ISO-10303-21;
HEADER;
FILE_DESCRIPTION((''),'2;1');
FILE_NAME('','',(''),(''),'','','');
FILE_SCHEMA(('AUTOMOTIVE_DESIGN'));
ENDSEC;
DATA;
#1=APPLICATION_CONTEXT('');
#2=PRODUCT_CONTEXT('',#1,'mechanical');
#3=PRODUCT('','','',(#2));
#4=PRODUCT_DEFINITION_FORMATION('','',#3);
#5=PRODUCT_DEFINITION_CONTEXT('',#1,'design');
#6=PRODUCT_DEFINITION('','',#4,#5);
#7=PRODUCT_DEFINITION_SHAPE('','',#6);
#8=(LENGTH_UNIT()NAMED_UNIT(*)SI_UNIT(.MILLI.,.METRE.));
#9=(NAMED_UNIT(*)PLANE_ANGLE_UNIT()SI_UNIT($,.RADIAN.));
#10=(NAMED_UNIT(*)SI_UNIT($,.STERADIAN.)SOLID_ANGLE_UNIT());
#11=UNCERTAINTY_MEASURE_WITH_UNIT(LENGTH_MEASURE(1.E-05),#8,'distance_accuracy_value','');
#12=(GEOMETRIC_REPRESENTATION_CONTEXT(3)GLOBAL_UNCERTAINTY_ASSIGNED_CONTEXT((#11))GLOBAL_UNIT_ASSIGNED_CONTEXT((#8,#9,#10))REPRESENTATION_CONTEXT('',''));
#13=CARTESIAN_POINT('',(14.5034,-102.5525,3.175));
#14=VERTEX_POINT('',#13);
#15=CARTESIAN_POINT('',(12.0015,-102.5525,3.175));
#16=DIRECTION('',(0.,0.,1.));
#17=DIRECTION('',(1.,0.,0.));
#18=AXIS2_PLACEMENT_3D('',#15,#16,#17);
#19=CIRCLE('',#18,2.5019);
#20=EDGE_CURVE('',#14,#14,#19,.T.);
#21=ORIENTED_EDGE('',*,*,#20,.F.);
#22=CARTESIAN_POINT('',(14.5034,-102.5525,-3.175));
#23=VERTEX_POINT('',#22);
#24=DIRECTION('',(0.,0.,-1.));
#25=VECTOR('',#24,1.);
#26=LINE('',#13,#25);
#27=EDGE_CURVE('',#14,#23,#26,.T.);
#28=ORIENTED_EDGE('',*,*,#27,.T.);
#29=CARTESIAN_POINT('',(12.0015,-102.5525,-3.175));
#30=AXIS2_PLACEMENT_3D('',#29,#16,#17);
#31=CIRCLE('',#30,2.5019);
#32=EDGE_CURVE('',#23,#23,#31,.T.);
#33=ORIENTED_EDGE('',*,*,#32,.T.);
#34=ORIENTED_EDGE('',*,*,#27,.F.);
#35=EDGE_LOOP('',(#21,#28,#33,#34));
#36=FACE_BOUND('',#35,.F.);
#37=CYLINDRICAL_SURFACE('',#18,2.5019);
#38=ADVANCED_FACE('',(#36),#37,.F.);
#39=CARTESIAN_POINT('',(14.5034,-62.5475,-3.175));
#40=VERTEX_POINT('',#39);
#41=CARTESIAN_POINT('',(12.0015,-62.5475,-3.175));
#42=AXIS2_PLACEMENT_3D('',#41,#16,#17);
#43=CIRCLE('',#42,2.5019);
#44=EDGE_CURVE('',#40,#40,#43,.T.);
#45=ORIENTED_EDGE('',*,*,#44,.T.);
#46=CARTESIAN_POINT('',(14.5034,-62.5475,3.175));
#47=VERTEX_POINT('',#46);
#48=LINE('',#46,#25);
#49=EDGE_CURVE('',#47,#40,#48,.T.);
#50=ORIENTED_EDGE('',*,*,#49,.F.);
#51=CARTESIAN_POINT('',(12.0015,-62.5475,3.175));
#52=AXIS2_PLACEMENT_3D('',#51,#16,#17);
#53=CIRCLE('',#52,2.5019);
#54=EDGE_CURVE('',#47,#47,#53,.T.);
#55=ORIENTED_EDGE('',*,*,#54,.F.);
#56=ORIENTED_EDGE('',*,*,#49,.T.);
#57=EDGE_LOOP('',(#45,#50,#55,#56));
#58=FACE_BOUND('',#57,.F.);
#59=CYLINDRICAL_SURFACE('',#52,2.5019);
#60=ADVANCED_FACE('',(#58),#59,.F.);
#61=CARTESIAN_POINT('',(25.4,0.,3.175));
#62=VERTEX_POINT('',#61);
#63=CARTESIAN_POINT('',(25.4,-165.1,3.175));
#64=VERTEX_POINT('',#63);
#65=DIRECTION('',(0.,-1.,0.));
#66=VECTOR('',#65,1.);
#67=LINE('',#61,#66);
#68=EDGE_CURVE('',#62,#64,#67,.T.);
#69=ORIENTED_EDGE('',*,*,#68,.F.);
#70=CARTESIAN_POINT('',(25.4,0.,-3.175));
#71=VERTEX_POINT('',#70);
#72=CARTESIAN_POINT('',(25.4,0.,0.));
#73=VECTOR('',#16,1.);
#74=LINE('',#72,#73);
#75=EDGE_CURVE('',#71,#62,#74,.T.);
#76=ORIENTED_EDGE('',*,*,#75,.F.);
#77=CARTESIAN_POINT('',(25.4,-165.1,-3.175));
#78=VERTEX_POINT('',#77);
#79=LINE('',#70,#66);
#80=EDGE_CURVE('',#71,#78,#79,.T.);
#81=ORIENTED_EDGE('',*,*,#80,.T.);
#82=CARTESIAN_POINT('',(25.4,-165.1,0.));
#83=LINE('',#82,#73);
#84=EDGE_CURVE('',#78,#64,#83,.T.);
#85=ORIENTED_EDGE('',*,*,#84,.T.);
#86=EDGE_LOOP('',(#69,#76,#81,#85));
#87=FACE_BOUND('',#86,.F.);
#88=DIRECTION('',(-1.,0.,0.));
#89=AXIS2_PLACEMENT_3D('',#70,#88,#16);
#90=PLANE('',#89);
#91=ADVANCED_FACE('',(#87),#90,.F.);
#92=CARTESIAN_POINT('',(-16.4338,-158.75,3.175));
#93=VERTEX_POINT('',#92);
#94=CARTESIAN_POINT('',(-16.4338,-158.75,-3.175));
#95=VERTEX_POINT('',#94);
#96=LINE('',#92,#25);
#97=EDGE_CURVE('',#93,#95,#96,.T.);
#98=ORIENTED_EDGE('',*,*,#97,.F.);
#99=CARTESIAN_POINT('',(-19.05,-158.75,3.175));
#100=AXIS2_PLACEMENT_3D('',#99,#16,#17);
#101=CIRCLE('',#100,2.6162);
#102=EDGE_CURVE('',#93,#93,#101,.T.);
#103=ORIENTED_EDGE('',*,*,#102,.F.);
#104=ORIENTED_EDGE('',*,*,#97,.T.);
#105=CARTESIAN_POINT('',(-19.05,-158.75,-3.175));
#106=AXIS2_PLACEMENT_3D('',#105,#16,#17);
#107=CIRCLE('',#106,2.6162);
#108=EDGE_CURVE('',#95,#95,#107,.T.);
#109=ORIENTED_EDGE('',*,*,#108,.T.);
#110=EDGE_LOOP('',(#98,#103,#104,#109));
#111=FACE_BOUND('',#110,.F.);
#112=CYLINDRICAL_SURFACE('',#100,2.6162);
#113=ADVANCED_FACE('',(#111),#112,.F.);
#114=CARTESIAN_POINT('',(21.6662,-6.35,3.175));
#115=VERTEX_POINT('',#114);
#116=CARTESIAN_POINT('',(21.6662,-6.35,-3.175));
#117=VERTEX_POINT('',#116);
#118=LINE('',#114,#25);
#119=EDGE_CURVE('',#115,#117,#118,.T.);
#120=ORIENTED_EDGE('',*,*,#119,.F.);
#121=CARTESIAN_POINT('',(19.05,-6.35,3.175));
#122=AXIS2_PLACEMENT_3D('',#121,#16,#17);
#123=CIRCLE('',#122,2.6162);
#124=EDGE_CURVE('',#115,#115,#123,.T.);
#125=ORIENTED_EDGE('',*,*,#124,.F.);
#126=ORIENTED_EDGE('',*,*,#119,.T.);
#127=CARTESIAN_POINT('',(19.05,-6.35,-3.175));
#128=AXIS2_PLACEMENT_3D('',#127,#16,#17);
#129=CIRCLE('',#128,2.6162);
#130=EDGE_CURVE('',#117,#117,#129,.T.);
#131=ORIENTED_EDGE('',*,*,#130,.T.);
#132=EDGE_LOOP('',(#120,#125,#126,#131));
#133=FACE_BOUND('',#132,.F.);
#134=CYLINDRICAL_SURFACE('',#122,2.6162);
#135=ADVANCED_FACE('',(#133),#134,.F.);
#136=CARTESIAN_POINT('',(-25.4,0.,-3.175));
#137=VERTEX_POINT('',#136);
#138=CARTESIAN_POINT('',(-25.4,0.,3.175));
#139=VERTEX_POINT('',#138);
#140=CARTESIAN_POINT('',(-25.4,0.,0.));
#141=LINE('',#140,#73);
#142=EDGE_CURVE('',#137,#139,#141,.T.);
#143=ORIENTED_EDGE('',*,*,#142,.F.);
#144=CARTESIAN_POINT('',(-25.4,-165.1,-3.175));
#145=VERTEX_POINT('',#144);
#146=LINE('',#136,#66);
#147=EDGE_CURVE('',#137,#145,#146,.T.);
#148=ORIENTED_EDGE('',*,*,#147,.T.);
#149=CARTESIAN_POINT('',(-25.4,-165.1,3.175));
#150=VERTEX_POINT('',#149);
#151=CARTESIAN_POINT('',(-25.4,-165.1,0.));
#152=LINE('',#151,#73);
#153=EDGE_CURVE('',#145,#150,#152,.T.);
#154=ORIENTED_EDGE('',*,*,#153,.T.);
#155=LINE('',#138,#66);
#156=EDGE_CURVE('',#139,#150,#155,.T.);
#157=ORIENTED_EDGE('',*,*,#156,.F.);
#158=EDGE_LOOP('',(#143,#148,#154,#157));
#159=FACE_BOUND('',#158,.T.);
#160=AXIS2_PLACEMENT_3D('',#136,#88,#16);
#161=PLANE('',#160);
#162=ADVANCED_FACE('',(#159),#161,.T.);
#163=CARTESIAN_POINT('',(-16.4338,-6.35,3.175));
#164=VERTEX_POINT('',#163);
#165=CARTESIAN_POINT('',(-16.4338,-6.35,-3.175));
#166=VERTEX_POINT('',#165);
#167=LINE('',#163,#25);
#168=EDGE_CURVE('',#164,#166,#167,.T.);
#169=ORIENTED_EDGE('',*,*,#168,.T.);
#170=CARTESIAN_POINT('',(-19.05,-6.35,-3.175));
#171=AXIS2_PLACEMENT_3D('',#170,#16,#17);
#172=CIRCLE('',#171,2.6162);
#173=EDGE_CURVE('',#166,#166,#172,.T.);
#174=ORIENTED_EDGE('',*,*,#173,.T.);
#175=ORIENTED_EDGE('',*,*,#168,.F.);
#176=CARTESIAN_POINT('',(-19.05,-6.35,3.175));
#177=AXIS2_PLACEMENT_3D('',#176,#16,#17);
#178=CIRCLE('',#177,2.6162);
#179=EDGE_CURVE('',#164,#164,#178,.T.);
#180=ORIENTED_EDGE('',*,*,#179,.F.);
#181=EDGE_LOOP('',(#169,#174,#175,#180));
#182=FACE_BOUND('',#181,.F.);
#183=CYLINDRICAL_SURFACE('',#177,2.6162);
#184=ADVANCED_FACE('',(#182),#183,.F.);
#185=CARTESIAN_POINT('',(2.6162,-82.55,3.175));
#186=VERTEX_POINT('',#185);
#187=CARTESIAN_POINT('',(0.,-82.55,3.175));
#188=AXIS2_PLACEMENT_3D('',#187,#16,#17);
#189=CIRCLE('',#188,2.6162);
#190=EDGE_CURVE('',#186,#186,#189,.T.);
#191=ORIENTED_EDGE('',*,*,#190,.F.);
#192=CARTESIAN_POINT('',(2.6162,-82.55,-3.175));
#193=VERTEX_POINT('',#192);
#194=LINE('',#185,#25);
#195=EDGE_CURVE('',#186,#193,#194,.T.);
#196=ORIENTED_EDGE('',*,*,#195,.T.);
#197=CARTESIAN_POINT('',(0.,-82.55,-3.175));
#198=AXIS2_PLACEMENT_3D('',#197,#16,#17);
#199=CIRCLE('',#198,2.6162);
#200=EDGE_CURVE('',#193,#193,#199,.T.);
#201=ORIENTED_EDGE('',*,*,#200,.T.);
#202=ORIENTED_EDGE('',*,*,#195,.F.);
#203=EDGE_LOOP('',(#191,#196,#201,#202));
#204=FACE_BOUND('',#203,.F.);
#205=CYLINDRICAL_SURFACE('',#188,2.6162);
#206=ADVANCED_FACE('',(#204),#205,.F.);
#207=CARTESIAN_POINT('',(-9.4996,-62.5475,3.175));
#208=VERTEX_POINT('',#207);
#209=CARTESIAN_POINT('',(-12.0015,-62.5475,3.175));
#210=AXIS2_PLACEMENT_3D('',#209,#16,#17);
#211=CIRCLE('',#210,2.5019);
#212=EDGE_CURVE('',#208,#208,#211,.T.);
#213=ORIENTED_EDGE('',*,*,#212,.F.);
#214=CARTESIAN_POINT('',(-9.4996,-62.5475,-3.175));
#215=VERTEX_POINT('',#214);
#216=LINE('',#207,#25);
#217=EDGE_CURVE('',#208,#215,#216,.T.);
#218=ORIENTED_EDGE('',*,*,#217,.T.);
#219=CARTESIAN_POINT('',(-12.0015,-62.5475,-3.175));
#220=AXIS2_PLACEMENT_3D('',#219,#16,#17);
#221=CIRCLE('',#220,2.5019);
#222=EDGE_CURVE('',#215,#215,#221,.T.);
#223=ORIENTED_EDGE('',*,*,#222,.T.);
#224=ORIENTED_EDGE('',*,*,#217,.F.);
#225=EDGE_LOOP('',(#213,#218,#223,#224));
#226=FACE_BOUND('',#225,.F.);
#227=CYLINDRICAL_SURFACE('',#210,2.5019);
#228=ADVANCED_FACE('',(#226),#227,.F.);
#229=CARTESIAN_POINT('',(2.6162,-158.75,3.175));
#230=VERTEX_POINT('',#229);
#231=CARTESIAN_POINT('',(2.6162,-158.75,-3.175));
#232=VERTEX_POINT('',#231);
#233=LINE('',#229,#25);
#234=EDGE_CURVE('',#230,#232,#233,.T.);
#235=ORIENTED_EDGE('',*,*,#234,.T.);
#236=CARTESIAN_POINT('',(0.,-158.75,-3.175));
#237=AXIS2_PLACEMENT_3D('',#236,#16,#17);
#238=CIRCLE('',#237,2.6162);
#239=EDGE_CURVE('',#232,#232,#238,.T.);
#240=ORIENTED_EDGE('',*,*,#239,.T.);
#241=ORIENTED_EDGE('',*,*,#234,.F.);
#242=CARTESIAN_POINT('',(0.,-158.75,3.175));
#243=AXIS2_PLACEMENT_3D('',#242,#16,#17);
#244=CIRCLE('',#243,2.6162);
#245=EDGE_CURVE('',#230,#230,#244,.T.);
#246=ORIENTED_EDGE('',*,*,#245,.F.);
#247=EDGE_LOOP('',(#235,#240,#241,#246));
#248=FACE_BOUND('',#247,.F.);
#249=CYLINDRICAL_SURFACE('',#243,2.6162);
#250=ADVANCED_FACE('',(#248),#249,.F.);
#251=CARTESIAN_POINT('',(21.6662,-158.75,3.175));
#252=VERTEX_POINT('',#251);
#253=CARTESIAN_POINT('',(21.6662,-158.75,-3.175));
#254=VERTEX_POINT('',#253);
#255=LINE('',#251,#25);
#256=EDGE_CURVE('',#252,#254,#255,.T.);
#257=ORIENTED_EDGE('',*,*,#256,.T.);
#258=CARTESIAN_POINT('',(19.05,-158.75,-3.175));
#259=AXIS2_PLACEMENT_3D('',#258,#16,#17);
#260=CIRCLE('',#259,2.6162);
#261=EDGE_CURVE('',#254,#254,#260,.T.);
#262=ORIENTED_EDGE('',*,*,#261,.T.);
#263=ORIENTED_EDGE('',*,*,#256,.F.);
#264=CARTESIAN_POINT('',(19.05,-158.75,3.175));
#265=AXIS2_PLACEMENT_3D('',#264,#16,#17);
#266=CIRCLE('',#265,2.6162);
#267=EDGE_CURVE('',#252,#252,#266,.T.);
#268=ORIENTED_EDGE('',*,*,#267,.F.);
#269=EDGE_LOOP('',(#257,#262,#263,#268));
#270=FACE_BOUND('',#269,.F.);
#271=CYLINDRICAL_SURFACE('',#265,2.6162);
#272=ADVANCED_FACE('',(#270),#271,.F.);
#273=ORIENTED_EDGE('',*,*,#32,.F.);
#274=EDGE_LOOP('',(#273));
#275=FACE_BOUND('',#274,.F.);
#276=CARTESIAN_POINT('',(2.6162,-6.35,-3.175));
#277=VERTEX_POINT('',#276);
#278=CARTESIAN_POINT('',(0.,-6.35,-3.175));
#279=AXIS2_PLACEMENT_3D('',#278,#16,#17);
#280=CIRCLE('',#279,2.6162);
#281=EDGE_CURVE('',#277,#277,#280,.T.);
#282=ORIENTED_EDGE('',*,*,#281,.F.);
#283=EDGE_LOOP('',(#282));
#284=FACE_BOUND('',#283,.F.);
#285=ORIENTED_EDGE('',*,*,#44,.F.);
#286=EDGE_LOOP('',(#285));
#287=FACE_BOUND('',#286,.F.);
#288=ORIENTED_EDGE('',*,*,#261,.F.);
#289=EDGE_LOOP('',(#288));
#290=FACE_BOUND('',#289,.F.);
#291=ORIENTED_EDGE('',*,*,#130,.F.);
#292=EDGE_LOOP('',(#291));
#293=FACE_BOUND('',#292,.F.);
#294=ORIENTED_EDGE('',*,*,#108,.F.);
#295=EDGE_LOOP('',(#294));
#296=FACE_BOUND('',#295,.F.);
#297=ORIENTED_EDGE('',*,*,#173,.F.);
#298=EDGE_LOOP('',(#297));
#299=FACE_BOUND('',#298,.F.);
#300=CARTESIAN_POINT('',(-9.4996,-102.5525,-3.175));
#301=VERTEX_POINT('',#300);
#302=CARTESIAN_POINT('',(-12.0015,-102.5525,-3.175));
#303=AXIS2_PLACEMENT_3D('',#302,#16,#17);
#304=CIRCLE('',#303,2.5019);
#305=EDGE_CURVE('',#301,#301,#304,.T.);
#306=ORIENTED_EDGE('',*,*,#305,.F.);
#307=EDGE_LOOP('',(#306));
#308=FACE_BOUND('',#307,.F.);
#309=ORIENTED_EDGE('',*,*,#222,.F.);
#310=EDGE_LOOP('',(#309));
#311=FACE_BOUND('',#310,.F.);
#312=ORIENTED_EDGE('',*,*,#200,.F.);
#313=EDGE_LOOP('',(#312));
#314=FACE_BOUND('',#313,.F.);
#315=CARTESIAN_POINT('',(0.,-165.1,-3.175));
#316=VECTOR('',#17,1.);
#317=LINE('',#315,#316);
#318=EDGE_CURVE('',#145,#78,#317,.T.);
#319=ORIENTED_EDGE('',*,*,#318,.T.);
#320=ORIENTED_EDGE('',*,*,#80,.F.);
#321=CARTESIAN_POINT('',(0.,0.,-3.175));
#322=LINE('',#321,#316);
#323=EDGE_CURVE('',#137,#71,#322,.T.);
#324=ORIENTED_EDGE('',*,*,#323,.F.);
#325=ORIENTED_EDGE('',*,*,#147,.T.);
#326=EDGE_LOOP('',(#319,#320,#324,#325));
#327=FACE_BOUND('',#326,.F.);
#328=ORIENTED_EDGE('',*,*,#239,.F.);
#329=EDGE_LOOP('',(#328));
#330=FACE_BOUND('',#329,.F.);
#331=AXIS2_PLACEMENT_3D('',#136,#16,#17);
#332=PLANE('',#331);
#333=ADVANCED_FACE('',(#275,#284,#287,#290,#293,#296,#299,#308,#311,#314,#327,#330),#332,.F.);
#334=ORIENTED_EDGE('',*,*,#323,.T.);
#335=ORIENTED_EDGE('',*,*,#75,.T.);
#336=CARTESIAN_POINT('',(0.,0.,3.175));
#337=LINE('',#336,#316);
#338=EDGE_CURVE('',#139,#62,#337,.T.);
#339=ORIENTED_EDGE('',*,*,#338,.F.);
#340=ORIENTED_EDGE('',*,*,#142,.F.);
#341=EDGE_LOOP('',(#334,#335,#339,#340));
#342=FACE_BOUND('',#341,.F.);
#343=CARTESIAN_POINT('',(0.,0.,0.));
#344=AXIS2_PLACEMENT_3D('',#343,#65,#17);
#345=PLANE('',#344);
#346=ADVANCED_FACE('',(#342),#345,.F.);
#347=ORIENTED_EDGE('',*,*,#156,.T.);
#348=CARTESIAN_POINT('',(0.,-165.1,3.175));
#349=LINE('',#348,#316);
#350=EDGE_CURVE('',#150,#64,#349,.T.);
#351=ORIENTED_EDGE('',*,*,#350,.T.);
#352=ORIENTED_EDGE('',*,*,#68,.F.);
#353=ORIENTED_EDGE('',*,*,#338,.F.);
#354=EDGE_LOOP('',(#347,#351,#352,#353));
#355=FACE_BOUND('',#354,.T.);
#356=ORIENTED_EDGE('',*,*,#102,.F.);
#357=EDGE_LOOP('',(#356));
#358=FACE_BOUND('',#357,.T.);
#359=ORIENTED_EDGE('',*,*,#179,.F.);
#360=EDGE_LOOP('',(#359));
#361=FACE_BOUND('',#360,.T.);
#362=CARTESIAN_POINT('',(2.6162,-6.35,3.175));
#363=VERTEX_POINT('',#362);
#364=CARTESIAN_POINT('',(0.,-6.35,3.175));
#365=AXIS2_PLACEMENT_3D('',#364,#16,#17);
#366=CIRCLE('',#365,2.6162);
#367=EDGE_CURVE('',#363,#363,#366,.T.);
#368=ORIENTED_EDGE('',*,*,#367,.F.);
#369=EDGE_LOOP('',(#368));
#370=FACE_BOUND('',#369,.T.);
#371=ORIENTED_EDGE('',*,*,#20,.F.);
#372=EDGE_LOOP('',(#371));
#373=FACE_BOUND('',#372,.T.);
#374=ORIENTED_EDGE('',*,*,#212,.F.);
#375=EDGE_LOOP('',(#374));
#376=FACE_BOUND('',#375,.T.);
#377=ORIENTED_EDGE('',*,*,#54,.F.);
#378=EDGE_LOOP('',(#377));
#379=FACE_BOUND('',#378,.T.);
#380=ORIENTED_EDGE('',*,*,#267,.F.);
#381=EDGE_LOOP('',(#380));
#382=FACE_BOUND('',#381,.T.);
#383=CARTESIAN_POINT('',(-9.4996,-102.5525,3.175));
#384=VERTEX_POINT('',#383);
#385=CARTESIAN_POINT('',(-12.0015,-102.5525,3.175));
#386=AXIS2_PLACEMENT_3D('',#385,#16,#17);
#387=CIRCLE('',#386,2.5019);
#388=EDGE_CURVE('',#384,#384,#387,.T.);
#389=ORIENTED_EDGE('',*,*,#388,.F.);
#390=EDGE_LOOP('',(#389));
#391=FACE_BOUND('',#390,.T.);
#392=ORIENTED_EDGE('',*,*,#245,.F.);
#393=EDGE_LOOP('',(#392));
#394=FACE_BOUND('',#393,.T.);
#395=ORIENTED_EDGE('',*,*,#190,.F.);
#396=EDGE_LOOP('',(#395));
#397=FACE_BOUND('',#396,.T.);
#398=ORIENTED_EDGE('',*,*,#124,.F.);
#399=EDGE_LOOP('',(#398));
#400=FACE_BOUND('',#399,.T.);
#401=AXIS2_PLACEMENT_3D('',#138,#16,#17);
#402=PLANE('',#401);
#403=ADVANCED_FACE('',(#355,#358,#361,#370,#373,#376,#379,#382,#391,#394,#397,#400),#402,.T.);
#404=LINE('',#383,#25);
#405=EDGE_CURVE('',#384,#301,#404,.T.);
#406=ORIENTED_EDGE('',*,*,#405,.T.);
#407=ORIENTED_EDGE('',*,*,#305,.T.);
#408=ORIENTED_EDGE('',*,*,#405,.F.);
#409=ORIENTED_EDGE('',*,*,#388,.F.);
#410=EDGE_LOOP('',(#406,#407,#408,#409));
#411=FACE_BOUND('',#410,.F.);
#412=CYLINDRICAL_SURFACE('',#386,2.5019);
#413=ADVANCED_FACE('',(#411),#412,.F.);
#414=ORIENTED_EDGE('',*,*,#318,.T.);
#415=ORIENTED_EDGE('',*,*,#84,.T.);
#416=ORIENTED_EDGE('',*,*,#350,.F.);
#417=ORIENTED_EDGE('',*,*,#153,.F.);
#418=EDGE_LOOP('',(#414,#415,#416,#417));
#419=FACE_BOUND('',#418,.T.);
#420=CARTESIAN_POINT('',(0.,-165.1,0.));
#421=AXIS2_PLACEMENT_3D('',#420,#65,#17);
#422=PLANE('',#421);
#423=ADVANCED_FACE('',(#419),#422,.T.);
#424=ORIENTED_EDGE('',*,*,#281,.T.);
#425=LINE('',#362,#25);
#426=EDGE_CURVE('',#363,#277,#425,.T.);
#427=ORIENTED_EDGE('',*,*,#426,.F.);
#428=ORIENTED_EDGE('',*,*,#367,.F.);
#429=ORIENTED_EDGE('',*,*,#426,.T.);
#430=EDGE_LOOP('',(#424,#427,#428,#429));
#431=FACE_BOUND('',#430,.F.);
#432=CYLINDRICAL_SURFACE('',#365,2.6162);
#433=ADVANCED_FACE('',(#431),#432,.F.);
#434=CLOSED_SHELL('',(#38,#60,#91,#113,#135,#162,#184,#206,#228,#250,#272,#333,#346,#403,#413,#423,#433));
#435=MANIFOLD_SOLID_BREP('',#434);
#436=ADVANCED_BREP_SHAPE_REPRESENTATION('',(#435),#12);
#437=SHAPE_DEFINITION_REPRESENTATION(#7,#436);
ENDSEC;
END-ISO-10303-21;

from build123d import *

# Parameters (mm, degrees)
F0_W     = 50.8
F0_H     = 6.35
F1_DEPTH = 165.1
F2_R     = 2.6162
F2_R_2   = 2.5019
F3_DEPTH = 6.351


with BuildPart() as f1:
    # F0 (on Front) → F1 (new body)
    with BuildSketch(Plane.XZ):
        Rectangle(F0_W, F0_H)
    extrude(amount=F1_DEPTH)

    # F2 (on face) → F3 (cut, through all)
    with BuildSketch(Plane.XY.offset(3.175)):
        with Locations((0, -158.75)):
            Circle(F2_R)
        with Locations((0, -6.35)):
            Circle(F2_R)
        with Locations((-12.0015, -102.5525)):
            Circle(F2_R_2)
        with Locations((12.0015, -102.5525)):
            Circle(F2_R_2)
        with Locations((12.0015, -62.5475)):
            Circle(F2_R_2)
        with Locations((-12.0015, -62.5475)):
            Circle(F2_R_2)
        with Locations((0, -82.55)):
            Circle(F2_R)
        with Locations((-19.05, -158.75)):
            Circle(F2_R)
        with Locations((19.05, -158.75)):
            Circle(F2_R)
        with Locations((-19.05, -6.35)):
            Circle(F2_R)
        with Locations((19.05, -6.35)):
            Circle(F2_R)
    extrude(amount=-F3_DEPTH, mode=Mode.SUBTRACT)


solid = f1.part
